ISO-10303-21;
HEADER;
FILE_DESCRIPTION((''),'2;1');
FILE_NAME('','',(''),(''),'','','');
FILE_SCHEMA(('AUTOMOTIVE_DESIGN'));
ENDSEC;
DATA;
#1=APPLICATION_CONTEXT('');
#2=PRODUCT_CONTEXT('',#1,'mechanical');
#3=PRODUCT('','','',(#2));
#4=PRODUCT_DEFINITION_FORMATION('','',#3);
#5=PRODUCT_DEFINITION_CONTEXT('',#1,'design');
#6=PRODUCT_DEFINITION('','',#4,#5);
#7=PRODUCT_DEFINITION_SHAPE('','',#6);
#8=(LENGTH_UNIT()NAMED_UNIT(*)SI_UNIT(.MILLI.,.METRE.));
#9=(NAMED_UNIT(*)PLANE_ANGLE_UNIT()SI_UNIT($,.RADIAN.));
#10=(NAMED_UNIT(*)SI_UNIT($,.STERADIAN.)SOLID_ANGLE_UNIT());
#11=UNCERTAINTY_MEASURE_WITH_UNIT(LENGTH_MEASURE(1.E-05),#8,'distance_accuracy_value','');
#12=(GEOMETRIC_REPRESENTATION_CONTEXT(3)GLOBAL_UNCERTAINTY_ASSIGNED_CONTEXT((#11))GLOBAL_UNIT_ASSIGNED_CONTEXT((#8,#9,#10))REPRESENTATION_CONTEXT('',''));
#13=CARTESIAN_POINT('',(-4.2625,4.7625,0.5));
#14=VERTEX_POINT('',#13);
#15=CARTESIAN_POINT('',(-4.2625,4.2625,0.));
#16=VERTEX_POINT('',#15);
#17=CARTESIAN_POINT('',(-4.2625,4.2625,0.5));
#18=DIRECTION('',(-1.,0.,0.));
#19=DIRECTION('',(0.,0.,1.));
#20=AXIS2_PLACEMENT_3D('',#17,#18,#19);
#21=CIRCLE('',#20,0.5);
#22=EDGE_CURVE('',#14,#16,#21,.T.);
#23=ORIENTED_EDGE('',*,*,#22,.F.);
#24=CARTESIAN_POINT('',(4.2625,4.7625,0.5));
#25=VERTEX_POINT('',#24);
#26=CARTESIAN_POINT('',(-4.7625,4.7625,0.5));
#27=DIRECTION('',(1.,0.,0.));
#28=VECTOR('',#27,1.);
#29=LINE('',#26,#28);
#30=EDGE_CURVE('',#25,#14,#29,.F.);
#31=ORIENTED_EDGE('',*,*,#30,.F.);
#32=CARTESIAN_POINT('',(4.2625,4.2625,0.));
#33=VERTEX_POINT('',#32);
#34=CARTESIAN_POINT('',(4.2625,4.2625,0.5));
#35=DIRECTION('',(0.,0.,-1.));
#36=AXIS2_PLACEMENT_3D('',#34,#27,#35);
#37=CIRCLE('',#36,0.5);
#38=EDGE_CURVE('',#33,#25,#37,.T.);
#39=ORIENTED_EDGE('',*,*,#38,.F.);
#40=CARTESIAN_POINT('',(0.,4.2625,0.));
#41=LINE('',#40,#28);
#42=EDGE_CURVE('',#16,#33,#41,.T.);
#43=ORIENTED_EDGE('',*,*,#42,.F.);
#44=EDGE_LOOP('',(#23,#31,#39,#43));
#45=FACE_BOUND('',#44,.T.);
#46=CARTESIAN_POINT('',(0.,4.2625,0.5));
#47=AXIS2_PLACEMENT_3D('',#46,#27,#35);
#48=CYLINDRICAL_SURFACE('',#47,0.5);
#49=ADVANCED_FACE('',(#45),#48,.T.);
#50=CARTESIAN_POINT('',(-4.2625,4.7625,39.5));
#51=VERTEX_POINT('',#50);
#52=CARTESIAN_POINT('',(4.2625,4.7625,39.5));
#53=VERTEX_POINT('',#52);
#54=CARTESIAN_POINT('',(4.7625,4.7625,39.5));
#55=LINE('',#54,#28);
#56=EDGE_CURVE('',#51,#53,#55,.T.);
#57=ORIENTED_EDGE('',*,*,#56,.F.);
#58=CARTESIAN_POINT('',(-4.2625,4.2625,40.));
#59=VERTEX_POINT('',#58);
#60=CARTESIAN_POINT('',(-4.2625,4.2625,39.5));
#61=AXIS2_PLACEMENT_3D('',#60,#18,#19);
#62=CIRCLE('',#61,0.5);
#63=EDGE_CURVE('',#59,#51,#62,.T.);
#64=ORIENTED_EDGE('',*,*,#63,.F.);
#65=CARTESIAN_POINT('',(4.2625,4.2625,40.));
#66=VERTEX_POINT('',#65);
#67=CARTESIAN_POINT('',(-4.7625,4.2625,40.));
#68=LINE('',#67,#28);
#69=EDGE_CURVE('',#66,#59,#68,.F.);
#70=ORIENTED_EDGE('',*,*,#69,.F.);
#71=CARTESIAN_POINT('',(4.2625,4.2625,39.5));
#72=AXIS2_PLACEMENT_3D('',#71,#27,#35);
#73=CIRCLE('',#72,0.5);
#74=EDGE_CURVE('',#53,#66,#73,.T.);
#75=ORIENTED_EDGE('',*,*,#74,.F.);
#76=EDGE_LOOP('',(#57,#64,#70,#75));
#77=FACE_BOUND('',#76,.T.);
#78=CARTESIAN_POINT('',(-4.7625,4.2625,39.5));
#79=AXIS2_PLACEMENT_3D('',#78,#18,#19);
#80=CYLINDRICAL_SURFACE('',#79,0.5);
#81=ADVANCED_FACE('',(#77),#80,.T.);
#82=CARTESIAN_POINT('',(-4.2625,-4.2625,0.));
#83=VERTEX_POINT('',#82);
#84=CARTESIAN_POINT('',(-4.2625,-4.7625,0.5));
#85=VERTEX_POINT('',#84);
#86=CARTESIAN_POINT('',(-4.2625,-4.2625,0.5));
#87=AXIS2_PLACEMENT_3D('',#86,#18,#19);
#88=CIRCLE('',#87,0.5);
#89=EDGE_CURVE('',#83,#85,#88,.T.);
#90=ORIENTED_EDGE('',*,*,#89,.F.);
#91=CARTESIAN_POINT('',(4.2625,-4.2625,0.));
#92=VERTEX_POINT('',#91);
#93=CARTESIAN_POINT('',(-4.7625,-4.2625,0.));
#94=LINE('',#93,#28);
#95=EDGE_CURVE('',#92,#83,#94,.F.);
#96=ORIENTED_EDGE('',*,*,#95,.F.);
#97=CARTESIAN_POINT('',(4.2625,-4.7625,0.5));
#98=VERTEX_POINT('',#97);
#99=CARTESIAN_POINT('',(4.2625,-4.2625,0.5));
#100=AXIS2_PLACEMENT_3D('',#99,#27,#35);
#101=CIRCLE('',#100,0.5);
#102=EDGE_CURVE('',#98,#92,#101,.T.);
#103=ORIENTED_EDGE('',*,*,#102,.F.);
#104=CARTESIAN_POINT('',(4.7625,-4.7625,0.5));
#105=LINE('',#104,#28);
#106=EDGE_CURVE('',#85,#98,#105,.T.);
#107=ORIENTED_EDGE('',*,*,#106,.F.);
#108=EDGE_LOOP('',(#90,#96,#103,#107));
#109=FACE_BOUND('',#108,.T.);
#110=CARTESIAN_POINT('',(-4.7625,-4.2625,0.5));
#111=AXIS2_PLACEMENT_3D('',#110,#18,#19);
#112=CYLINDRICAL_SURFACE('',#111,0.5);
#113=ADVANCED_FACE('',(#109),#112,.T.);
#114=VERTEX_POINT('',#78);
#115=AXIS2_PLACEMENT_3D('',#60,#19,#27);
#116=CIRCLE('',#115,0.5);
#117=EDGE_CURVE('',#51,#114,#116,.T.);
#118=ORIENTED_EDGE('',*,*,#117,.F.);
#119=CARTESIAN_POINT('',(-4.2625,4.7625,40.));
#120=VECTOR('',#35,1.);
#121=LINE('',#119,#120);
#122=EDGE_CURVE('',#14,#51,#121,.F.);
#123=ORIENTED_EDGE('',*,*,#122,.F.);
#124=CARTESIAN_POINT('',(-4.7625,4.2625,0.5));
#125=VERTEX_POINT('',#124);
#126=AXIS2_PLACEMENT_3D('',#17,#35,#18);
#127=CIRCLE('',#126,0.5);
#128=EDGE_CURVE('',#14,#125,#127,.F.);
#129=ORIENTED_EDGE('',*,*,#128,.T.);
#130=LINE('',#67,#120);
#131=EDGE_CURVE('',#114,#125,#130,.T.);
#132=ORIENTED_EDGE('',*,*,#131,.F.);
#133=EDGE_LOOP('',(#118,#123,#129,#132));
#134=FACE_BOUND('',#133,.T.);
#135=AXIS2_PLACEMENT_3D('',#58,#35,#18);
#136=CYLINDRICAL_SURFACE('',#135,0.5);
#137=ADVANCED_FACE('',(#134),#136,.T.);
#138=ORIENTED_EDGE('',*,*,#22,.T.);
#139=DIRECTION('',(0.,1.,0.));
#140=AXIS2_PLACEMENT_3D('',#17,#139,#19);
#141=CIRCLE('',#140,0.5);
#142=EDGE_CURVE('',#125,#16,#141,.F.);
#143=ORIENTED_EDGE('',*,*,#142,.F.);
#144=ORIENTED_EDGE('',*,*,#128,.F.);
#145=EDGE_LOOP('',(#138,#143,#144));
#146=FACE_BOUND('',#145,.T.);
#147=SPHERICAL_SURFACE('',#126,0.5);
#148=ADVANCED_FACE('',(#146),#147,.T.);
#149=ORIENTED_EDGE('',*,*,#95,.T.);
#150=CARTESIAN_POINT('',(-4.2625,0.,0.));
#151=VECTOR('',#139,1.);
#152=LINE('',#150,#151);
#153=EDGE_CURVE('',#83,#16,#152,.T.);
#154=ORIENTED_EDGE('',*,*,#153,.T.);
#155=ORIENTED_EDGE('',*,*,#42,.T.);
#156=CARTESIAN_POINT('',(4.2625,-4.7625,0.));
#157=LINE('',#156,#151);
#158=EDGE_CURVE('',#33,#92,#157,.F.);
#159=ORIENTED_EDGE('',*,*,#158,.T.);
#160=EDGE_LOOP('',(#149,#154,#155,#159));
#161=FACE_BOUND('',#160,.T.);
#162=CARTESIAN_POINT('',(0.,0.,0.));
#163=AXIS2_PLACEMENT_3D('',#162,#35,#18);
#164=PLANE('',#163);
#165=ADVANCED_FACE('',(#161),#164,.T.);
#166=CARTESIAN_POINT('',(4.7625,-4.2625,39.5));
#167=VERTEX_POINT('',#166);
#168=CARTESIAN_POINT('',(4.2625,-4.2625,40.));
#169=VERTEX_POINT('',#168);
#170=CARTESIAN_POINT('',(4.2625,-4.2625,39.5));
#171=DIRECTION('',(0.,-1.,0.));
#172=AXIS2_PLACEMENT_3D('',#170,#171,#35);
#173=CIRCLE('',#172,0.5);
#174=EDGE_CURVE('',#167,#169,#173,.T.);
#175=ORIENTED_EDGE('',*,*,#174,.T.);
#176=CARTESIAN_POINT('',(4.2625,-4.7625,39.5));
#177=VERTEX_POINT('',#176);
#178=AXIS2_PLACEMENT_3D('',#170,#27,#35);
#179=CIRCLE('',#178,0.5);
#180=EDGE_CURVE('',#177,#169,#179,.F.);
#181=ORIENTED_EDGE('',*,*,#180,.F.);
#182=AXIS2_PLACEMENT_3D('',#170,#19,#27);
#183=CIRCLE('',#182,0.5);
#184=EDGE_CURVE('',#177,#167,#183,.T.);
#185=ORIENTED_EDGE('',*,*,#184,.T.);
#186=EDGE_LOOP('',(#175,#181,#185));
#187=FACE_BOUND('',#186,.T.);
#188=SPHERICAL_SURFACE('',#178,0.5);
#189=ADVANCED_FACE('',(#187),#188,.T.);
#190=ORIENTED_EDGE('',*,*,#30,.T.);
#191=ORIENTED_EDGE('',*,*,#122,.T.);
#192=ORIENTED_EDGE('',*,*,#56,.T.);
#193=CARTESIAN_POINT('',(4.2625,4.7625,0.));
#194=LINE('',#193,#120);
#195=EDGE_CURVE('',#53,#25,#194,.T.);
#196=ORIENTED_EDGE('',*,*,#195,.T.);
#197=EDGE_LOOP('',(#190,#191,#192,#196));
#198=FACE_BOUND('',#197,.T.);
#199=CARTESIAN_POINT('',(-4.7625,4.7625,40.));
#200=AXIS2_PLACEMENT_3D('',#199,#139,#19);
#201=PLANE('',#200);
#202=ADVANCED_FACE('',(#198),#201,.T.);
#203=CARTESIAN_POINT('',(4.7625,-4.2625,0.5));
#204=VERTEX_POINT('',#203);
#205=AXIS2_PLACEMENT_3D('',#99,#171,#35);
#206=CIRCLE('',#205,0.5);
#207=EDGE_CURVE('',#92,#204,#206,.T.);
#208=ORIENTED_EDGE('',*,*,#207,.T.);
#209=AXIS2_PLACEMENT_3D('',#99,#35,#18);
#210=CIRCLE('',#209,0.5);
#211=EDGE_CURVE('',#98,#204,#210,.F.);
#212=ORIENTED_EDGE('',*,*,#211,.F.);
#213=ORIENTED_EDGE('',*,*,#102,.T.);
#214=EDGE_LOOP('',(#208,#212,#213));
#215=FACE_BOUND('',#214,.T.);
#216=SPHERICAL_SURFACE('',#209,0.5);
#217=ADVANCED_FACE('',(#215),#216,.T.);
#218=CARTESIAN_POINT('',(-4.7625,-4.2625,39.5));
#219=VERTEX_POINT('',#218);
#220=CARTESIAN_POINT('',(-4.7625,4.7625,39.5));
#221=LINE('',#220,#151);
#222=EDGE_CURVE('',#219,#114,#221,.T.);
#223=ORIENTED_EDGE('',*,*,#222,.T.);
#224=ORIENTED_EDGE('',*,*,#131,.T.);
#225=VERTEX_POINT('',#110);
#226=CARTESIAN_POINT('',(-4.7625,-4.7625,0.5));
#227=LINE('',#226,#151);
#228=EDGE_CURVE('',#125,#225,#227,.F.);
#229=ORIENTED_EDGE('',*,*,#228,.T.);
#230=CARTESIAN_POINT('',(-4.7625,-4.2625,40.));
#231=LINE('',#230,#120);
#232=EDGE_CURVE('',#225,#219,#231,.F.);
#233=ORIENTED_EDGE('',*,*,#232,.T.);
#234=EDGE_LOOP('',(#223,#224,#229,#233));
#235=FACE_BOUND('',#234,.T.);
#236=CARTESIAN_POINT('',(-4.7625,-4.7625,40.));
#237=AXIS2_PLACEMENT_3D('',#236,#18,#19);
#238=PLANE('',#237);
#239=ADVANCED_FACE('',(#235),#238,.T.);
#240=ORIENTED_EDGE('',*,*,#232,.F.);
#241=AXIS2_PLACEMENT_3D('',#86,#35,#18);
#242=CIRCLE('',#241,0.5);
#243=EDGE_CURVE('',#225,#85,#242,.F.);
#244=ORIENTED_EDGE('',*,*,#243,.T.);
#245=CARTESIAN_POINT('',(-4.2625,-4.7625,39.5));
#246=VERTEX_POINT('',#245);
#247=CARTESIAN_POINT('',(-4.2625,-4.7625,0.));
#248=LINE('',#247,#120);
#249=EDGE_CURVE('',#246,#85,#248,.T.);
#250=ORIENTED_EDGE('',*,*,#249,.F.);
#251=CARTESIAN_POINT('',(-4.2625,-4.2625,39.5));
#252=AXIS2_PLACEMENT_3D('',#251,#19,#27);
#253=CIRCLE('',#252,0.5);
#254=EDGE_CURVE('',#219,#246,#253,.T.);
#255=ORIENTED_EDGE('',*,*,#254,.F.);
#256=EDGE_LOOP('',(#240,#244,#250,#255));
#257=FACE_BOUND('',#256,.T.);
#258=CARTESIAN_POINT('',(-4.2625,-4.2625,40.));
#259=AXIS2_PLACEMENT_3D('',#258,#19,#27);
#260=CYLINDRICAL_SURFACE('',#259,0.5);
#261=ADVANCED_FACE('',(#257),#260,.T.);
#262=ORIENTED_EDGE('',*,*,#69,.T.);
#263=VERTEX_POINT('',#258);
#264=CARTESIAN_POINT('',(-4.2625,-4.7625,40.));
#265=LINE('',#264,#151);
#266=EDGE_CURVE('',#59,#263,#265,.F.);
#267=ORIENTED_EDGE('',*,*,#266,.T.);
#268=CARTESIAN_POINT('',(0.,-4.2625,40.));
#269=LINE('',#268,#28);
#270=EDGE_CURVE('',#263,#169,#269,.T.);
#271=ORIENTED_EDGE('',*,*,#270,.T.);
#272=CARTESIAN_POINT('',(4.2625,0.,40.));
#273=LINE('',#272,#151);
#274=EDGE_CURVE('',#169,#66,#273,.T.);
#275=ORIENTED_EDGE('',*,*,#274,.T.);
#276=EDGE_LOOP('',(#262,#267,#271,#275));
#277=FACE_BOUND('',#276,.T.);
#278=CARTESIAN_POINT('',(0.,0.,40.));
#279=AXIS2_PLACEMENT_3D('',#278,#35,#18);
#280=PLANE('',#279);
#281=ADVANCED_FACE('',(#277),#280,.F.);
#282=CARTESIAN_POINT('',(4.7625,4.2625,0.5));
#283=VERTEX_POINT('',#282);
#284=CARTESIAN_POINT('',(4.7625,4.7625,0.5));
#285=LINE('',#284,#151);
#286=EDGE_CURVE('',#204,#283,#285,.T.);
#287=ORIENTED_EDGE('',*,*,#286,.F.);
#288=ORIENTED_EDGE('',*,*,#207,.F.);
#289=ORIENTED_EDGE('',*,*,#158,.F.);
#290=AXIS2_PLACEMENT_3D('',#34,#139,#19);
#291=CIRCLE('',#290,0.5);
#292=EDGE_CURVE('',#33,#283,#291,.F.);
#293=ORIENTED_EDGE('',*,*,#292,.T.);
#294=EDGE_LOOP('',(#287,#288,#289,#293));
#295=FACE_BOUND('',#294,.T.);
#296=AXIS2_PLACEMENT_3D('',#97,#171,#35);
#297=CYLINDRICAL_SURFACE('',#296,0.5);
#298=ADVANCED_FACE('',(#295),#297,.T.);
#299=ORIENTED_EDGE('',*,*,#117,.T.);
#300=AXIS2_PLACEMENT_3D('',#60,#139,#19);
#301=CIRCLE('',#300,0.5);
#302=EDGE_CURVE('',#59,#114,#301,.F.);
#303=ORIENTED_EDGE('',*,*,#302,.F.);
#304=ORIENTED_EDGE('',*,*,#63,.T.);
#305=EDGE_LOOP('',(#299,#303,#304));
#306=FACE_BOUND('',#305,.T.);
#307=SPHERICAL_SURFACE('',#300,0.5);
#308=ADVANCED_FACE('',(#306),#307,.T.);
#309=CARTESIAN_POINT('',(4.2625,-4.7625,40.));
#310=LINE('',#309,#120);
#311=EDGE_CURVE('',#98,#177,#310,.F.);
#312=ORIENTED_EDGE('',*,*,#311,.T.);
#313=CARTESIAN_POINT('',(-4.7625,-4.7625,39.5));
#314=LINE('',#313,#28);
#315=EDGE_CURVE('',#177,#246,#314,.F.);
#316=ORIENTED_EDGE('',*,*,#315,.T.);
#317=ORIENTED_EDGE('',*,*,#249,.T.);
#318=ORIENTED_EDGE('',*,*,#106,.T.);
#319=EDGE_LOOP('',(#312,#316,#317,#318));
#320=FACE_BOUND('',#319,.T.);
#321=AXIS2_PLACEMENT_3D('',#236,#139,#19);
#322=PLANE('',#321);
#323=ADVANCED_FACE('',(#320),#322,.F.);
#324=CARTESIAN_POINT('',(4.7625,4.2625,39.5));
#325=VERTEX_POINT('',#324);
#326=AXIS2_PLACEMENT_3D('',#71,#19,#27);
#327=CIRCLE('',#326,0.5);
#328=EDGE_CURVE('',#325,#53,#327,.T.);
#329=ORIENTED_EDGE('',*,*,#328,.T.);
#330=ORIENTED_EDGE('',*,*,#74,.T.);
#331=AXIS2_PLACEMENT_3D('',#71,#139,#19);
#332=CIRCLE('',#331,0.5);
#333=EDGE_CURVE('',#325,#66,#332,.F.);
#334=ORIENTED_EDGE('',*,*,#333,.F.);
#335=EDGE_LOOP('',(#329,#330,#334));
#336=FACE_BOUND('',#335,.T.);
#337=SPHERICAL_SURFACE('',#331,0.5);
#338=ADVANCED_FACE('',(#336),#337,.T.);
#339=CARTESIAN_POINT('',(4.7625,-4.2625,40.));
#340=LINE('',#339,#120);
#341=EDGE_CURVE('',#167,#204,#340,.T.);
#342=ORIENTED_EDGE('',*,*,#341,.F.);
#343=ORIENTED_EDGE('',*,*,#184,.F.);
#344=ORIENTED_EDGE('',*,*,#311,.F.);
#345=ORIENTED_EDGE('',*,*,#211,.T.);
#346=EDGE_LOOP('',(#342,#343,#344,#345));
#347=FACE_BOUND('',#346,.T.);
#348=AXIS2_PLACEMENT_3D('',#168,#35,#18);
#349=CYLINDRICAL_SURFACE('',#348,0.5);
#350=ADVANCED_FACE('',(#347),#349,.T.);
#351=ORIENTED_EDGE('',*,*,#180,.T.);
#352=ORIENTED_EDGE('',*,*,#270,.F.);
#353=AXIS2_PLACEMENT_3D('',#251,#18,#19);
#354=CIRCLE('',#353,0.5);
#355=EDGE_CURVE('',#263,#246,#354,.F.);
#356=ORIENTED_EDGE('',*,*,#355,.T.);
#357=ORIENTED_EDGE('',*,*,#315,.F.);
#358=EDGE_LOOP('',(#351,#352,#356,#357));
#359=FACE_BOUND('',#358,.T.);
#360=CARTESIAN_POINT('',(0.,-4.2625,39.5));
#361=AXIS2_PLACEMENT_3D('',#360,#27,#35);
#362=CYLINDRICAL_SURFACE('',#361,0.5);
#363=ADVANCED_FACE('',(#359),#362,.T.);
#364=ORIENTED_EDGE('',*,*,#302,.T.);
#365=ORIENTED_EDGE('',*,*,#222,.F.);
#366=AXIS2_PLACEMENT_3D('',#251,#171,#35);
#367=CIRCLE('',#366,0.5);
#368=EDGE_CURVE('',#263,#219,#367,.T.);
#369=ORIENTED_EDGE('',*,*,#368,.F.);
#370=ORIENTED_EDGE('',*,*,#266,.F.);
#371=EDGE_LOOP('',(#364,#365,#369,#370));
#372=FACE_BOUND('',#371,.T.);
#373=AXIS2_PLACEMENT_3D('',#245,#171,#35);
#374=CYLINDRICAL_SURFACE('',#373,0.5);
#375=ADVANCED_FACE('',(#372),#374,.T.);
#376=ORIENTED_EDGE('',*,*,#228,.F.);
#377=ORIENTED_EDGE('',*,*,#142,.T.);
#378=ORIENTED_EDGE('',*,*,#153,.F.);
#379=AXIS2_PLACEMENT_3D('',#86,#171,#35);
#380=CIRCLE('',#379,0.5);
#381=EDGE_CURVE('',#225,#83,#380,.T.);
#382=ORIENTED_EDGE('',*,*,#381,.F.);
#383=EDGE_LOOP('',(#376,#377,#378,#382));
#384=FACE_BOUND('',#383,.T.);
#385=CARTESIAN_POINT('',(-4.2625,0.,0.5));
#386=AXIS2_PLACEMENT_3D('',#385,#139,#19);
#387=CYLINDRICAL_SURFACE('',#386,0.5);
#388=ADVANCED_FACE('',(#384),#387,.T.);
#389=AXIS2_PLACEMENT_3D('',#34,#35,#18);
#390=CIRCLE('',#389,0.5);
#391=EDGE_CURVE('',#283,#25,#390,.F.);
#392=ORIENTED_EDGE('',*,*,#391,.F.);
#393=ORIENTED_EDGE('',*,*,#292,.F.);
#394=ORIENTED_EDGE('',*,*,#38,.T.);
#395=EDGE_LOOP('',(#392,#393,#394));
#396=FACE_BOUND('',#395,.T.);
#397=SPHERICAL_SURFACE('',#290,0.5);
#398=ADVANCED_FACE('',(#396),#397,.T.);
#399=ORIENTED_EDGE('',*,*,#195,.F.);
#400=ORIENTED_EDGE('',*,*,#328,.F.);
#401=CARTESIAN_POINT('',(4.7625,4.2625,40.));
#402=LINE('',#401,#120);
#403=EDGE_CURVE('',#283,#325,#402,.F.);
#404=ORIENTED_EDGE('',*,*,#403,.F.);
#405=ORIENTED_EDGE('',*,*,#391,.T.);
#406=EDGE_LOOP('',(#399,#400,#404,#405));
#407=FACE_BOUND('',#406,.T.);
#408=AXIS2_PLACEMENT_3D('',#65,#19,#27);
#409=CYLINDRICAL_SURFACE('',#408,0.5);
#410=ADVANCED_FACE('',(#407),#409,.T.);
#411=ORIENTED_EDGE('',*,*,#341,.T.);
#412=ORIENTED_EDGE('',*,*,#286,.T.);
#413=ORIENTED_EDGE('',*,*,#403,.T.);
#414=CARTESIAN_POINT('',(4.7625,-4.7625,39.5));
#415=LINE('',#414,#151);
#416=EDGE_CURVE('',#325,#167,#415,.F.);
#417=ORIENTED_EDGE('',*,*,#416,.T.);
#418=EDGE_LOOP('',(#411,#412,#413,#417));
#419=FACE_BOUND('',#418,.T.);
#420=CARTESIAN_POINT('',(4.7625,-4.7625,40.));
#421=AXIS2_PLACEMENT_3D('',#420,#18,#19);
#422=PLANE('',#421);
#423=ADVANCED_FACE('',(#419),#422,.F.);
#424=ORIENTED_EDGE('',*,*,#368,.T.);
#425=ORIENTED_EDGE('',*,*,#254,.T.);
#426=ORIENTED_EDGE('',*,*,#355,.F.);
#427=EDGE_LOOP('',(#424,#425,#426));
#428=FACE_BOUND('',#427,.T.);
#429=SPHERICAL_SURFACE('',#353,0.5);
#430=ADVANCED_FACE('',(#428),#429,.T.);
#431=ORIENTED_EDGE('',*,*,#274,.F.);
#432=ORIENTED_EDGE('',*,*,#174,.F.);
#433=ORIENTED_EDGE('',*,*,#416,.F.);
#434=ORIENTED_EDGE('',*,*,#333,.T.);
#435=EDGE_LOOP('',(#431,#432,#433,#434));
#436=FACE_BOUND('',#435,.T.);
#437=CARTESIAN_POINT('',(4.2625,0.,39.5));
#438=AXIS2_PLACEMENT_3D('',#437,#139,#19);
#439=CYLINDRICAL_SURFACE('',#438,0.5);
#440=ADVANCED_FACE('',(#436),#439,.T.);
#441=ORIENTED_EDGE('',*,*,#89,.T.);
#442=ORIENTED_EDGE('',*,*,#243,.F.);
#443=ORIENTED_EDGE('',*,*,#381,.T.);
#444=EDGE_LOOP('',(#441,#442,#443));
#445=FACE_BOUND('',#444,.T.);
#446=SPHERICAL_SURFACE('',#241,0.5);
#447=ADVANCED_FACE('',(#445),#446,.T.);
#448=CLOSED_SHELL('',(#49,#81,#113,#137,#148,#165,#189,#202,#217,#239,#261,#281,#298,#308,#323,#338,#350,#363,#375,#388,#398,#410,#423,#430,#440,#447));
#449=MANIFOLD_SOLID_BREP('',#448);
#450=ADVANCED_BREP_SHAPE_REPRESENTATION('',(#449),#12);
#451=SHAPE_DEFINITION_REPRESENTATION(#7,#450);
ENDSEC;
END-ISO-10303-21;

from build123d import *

# Parameters (mm, degrees)
SKETCH1_W           = 9.525
SKETCH1_H           = 9.525
BOSS_EXTRUDE1_DEPTH = 40
FILLET1_R           = 0.5


with BuildPart() as part:
    # Sketch1 → Boss-Extrude1 (new body)
    with BuildSketch(Plane.XY):
        Rectangle(SKETCH1_W, SKETCH1_H)
    extrude(amount=BOSS_EXTRUDE1_DEPTH)

    # Fillet1
    fillet1_edges = [part.edges().sort_by_distance(p)[0] for p in [
        (4.7625, 0, 40),
        (0, -4.7625, 40),
        (-4.7625, 0, 40),
        (0, -4.7625, 0),
        (4.7625, 0, 0),
        (0, 4.7625, 0),
        (-4.7625, 0, 0),
        (-4.7625, -4.7625, 20),
        (4.7625, -4.7625, 20),
        (4.7625, 4.7625, 20),
        (-4.7625, 4.7625, 20),
        (0, 4.7625, 40),
    ]]
    fillet(fillet1_edges, radius=FILLET1_R)


solid = part.part
